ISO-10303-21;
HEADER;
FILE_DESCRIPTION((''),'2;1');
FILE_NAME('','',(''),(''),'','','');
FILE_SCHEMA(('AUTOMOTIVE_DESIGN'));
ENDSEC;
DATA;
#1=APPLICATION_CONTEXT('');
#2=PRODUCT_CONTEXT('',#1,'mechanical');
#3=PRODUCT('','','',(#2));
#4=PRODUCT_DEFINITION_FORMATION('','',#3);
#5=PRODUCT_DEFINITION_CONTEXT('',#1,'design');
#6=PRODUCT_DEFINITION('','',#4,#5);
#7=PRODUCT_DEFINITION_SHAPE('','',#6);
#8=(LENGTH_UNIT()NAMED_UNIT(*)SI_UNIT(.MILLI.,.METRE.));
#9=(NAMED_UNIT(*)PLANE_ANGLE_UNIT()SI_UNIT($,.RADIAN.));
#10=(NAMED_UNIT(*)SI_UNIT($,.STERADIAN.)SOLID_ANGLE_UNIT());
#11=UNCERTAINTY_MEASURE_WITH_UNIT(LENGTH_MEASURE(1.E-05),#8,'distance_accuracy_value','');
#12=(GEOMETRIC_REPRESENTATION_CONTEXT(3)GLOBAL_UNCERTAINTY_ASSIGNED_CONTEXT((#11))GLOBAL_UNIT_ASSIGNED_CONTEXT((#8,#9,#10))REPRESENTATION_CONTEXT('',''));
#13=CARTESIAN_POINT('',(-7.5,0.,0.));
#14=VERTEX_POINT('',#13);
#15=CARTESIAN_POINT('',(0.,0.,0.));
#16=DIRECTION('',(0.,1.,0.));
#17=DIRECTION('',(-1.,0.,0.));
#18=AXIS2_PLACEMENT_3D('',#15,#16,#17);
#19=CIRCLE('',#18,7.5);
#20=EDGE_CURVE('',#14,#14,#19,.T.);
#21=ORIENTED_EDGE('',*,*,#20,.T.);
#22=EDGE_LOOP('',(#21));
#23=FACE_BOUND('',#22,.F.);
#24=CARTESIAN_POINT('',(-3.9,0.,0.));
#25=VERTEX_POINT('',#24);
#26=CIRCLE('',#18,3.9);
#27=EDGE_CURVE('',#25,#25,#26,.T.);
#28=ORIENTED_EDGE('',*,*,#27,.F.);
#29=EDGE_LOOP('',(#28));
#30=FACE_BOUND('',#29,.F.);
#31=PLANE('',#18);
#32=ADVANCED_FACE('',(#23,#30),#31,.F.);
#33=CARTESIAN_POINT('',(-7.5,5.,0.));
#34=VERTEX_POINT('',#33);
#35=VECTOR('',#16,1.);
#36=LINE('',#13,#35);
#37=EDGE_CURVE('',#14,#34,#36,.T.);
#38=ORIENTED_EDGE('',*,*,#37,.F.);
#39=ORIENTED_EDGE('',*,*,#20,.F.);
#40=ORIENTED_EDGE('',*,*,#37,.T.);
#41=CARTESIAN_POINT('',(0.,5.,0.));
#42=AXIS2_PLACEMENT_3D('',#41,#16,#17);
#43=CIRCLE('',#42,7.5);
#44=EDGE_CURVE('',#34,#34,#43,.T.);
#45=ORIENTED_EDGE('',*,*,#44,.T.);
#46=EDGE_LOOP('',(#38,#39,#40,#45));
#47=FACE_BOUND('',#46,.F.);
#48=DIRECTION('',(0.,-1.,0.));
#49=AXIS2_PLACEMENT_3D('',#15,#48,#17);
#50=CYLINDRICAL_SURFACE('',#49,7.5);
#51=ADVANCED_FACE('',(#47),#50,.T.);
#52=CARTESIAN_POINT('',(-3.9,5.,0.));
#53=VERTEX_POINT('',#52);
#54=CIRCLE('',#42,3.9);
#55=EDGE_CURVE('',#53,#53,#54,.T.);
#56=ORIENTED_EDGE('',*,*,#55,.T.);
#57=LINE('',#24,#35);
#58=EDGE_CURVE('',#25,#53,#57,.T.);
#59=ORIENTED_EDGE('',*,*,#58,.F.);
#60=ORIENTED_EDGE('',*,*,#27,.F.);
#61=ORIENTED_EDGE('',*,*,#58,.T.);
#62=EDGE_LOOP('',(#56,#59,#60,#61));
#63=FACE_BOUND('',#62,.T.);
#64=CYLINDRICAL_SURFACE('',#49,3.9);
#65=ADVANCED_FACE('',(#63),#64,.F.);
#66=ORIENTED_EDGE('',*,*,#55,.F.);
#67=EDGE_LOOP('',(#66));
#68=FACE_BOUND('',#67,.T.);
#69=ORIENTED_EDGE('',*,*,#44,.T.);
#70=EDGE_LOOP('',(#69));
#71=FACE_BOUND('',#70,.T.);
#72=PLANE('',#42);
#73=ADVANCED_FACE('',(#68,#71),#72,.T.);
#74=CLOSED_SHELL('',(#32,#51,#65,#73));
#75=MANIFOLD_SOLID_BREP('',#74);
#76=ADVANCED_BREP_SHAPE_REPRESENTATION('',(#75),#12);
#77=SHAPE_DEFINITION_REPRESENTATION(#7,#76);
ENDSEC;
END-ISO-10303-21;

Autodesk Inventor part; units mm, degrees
ref_plane "YZ Plane" through (0, 0, 0) normal (1, 0, 0) x (0, 1, 0)
ref_plane "XZ Plane" through (0, 0, 0) normal (0, 1, 0) x (-1, 0, 0)
ref_plane "XY Plane" through (0, 0, 0) normal (0, 0, 1) x (1, 0, 0)
sketch "Sketch1" plane through (0, 0, 0) normal (0, 1, 0) x (-1, 0, 0)
  circle A0 centre (0, 0) radius 3.9
  circle A1 centre (0, 0) radius 7.5
  dimension "d0" = 7.8
  dimension "d1" = 15
extrude "Extrusion1" add sketch "Sketch1" along normal blind 5
properties part number "Washer"
